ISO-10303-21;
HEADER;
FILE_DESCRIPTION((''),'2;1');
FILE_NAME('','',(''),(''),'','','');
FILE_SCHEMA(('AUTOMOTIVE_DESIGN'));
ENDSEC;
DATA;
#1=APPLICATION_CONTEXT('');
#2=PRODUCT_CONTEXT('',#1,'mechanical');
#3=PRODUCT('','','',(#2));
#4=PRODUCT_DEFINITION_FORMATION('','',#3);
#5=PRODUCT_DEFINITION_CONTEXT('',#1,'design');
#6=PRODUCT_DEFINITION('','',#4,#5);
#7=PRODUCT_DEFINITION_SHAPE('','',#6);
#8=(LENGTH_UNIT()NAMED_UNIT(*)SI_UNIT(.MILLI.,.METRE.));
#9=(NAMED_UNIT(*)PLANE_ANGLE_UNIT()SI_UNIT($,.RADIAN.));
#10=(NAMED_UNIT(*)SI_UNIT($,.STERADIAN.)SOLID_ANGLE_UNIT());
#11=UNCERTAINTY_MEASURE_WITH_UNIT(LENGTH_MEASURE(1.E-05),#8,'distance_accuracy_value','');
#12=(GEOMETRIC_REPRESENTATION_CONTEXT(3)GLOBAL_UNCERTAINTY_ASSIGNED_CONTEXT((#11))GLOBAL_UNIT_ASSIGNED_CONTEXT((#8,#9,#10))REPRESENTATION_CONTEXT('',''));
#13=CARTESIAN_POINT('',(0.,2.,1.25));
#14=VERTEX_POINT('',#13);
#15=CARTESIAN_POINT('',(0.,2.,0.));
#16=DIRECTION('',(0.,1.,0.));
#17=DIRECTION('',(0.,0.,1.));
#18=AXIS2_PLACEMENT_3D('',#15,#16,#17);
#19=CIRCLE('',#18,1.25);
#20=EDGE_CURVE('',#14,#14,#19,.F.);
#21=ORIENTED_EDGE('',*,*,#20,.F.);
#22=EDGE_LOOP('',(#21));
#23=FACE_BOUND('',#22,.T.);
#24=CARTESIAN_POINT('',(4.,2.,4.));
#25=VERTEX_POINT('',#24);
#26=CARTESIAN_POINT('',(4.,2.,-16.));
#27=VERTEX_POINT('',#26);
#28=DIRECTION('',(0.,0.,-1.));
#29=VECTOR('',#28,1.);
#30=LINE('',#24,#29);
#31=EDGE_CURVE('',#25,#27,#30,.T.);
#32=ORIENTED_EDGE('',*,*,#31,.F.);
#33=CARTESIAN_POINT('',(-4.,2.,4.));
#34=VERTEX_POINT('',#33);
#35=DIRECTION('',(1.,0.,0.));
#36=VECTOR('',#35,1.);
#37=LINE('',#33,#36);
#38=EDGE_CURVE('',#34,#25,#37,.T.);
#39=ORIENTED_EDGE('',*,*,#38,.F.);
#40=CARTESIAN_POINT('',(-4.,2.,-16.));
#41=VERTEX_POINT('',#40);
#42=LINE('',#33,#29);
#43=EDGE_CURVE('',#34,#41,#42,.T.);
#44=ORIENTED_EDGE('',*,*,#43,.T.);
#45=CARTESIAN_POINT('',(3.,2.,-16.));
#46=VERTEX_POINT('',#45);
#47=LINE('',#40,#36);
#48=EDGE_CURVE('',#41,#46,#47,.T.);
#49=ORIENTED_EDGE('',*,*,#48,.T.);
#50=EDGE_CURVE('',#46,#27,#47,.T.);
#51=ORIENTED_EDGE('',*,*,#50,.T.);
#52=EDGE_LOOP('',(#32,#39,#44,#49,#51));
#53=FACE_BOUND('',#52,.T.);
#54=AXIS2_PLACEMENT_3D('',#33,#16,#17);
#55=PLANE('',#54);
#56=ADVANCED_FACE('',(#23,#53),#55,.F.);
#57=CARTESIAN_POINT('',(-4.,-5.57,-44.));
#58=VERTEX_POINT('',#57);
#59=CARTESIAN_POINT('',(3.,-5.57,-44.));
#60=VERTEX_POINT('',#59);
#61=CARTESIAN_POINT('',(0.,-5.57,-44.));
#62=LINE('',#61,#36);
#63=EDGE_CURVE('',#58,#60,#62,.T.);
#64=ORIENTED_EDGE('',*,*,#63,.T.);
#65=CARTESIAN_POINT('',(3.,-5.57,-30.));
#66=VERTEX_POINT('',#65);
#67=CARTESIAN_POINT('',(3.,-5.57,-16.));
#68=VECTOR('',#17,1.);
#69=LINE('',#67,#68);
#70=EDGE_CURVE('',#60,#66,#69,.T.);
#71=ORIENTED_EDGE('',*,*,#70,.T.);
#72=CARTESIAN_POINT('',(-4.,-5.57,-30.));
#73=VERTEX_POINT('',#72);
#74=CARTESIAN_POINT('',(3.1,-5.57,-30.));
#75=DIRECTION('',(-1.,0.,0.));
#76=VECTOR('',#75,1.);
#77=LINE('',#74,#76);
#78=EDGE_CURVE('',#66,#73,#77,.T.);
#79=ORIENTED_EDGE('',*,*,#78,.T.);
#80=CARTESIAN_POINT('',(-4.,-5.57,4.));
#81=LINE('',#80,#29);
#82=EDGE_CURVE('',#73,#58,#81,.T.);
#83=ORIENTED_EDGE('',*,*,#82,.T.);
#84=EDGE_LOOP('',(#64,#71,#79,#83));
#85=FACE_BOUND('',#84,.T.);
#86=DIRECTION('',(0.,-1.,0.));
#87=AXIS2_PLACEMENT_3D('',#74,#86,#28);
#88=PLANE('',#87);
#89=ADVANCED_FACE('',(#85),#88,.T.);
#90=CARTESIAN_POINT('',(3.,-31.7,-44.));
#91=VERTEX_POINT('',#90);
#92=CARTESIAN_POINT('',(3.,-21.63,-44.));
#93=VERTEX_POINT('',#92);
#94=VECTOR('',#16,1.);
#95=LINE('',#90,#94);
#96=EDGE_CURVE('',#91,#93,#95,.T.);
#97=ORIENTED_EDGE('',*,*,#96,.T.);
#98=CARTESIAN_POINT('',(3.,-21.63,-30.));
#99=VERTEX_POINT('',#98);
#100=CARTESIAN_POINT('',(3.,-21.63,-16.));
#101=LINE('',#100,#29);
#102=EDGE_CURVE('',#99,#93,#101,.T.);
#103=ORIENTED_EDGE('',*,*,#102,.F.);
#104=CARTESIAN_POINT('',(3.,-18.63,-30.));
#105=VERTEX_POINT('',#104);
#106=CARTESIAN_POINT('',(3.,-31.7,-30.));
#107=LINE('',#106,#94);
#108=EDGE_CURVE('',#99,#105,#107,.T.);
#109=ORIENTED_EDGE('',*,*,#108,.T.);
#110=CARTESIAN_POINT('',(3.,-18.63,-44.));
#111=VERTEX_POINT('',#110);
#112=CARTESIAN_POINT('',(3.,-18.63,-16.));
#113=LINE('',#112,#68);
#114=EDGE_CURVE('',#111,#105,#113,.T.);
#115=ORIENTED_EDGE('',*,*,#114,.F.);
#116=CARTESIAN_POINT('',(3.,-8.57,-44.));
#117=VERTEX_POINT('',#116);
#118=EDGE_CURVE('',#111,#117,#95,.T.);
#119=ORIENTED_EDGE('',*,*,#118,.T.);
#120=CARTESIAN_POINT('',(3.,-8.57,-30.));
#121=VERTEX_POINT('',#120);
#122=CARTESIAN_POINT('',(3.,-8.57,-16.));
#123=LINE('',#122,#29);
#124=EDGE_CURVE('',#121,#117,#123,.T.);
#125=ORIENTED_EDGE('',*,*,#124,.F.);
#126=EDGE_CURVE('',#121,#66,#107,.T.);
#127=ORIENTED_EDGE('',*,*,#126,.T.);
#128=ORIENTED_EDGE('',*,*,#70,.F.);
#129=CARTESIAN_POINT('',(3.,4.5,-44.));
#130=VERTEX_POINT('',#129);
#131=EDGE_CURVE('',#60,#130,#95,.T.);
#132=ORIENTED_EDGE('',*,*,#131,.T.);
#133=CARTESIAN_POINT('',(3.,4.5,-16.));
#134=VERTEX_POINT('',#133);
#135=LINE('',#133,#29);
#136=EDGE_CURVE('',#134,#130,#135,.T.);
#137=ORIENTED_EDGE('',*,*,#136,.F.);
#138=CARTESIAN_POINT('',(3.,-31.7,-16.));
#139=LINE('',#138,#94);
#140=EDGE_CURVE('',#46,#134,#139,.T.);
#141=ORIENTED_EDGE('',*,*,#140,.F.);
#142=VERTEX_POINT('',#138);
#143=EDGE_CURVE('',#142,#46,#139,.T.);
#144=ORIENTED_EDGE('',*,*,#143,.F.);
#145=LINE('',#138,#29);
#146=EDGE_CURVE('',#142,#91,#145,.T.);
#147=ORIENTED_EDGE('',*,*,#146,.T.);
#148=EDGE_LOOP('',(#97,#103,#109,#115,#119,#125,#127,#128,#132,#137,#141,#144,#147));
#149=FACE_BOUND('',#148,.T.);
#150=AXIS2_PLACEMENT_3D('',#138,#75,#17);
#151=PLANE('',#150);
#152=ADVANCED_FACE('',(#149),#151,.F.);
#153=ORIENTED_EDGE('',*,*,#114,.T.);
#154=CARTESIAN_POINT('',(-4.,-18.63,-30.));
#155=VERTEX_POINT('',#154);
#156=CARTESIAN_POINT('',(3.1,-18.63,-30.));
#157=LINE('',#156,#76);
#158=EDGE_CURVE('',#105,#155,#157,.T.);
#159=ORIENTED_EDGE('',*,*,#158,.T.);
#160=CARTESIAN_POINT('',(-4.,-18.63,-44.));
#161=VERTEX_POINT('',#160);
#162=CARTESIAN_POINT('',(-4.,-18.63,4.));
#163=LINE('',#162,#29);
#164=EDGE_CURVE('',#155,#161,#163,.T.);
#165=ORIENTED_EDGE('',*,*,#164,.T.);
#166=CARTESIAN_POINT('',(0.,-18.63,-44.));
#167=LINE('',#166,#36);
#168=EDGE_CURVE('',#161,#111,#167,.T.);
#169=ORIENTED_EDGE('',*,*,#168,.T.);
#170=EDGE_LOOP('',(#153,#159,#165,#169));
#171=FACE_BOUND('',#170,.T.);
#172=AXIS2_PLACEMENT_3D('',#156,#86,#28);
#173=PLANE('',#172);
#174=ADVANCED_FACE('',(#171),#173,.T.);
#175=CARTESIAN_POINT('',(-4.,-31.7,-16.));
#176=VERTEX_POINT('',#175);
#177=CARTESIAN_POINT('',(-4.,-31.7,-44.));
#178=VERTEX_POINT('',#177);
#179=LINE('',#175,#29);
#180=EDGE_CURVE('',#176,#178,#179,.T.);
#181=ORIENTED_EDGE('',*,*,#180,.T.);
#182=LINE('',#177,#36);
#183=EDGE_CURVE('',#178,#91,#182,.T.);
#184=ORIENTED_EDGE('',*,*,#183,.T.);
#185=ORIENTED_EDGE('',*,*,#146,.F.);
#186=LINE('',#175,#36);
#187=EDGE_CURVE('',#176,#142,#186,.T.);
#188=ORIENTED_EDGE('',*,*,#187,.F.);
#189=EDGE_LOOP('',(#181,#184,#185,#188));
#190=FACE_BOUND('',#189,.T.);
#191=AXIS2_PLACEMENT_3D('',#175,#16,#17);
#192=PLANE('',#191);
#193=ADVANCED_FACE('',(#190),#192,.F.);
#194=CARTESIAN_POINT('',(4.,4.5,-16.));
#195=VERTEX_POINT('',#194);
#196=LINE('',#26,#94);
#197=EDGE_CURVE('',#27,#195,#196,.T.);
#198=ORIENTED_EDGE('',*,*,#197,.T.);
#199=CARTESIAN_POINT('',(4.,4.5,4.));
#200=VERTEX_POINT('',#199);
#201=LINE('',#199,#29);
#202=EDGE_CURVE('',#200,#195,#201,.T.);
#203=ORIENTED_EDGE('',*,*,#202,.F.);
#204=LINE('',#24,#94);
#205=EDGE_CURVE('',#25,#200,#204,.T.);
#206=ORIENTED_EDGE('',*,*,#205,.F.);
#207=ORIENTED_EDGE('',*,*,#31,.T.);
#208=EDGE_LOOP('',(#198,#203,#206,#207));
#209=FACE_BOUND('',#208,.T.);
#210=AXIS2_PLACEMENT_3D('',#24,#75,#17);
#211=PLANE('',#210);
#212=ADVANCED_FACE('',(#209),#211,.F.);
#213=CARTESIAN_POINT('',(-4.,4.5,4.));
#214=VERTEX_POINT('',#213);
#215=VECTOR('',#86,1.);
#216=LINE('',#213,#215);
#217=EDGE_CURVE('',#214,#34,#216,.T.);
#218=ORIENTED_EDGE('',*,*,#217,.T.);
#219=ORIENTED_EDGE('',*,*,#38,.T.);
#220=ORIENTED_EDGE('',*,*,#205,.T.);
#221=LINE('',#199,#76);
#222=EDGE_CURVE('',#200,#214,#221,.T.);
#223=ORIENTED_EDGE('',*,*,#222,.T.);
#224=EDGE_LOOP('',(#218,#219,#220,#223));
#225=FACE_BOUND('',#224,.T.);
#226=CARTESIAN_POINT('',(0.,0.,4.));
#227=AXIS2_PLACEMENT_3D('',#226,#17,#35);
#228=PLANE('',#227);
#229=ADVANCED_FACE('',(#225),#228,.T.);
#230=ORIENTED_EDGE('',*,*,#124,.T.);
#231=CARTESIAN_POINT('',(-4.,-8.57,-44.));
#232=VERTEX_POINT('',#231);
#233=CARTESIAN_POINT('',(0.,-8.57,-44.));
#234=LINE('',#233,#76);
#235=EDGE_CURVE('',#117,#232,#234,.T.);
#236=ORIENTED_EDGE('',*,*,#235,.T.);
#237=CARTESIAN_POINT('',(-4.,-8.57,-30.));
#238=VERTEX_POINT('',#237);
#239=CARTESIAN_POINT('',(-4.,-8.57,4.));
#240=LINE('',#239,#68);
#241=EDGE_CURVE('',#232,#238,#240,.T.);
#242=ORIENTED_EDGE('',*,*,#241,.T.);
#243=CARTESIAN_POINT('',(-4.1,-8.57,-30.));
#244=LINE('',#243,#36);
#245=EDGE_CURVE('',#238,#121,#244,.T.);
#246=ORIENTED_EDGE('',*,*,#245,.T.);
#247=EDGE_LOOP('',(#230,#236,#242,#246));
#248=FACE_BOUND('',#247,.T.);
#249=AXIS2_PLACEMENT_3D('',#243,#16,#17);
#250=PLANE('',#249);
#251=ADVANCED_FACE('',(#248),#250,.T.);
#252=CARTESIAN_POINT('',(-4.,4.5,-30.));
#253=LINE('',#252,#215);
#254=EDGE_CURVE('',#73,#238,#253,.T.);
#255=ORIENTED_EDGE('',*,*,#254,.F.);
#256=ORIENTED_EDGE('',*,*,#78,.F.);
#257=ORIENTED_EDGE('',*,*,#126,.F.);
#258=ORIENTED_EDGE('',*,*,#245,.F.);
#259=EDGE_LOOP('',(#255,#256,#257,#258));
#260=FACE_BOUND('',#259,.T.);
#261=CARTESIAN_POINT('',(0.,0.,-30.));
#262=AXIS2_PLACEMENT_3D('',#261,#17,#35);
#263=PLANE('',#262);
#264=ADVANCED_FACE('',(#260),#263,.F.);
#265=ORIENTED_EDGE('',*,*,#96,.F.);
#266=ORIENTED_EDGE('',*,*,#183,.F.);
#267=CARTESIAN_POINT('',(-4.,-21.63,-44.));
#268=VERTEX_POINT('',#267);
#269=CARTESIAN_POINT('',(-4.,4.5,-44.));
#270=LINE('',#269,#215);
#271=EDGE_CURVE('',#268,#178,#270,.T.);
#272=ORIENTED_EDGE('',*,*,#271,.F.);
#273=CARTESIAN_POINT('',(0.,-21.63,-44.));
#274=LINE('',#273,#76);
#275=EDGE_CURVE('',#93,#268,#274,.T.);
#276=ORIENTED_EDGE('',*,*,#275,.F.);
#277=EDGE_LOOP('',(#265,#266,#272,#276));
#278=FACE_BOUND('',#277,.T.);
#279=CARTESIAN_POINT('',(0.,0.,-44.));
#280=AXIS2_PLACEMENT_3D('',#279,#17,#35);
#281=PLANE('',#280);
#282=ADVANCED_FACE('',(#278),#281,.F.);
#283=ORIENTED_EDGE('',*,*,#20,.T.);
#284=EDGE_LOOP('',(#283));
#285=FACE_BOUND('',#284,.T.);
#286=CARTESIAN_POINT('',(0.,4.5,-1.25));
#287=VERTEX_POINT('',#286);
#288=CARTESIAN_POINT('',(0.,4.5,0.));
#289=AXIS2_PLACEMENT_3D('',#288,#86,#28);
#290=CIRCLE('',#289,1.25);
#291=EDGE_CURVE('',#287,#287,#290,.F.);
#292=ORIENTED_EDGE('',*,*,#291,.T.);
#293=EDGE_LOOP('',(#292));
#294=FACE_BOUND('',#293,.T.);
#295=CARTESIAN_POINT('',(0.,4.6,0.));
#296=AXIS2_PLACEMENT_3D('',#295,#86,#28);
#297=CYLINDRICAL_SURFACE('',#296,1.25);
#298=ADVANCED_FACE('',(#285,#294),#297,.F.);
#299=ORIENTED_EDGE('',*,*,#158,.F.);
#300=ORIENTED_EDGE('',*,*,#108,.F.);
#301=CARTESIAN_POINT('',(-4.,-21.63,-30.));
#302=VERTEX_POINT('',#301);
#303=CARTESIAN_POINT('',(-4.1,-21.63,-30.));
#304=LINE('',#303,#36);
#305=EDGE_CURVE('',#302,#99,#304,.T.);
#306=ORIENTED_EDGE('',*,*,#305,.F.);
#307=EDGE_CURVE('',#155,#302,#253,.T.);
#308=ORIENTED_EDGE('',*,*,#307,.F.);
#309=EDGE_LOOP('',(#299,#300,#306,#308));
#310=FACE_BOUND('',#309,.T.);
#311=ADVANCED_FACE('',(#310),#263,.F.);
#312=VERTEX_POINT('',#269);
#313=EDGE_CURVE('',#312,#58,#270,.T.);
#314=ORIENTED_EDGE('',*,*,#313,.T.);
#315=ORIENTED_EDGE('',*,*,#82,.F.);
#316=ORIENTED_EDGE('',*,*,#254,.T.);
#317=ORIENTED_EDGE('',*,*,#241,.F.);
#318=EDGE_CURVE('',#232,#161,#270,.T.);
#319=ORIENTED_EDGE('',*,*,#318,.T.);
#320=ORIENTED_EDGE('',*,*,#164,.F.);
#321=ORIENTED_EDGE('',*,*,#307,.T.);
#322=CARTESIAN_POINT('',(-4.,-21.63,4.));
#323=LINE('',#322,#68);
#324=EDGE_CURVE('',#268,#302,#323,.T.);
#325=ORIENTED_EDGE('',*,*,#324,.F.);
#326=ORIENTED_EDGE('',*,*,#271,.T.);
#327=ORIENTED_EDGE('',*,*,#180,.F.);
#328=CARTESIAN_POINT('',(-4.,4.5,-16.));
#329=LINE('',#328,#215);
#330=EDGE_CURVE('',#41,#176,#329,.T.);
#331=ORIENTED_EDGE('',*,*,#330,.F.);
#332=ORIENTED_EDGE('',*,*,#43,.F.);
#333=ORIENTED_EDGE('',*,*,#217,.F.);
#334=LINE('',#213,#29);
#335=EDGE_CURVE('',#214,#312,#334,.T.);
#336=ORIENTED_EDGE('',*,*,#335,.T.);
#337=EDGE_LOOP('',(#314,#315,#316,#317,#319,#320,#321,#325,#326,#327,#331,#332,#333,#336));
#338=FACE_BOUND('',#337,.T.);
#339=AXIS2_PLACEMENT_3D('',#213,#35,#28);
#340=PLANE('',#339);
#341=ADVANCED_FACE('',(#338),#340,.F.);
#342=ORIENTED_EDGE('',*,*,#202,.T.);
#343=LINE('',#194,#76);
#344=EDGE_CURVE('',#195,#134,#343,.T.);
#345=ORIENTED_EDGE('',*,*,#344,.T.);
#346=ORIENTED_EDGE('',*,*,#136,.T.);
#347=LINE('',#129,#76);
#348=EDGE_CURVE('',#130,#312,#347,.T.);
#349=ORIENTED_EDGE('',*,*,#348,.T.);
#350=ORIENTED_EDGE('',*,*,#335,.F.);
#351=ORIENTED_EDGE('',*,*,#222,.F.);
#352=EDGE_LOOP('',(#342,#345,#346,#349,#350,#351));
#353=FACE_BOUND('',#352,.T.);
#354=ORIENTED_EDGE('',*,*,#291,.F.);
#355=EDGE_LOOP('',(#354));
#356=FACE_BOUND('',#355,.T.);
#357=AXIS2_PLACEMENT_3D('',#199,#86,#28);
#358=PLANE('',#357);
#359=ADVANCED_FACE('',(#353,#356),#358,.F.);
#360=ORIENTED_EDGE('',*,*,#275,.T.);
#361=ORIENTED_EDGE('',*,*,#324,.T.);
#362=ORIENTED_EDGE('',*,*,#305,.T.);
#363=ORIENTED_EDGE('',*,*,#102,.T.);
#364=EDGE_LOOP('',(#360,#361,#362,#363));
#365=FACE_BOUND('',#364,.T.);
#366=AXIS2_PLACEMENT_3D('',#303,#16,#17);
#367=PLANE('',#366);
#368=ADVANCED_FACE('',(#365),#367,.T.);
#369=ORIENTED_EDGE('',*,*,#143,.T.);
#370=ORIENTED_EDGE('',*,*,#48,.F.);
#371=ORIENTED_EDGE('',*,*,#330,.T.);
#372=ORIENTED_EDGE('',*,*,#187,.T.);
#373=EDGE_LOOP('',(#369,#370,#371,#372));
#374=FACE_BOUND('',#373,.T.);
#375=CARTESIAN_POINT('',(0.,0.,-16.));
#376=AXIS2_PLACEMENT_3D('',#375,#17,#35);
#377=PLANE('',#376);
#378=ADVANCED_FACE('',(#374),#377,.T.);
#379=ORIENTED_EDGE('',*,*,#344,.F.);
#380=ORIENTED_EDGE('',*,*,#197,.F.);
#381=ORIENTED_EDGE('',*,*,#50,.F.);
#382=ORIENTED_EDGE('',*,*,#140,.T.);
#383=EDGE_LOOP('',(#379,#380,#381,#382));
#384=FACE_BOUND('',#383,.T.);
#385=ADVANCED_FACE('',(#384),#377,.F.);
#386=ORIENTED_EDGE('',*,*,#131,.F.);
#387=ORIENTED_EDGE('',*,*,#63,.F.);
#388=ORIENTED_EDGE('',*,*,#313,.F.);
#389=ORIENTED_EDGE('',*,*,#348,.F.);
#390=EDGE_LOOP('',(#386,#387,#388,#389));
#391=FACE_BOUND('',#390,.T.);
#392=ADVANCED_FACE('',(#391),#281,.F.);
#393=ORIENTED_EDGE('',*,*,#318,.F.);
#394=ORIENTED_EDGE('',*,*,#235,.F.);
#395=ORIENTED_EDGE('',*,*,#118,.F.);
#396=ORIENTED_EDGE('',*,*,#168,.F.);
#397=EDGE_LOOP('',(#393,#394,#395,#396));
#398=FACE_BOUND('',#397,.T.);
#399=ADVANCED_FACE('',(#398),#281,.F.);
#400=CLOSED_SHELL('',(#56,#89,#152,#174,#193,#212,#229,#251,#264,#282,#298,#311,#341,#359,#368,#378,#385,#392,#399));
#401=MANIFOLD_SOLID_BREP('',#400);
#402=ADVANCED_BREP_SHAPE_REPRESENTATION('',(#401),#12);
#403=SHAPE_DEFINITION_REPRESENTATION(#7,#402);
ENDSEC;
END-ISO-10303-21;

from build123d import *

# Parameters (mm, degrees)
S_BOX1_W       = 8
S_BOX1_H       = 2.5
BOSS_1_DEPTH   = 20
S_BOX2_W       = 7
S_BOX2_H       = 36.2
BOSS_2_DEPTH   = 28
S_HOLE3_R      = 1.25
HOLE_3_DEPTH   = 2.7
S_CUT4_W       = 7.2
S_CUT4_H       = 3
POCKET_4_DEPTH = 14.1
S_CUT5_W       = 7.2
S_CUT5_H       = 3
POCKET_5_DEPTH = 14.1


with BuildPart() as part:
    # S_box1 → Boss_1 (new body)
    with BuildSketch(Plane.XY.offset(-16)):
        with Locations((0, 3.25)):
            Rectangle(S_BOX1_W, S_BOX1_H)
    extrude(amount=BOSS_1_DEPTH)

    # S_box2 → Boss_2 (add)
    with BuildSketch(Plane.XY.offset(-44)):
        with Locations((-0.5, -13.6)):
            Rectangle(S_BOX2_W, S_BOX2_H)
    extrude(amount=BOSS_2_DEPTH)

    # S_hole3 → Hole_3 (cut)
    with BuildSketch(Plane(origin=(0, 1.9, 0), x_dir=(1, 0, 0), z_dir=(0, 1, 0))):
        with Locations(Location((0, 0, 0), (0, 0, 90))):
            Circle(S_HOLE3_R)
    extrude(amount=HOLE_3_DEPTH, mode=Mode.SUBTRACT)

    # S_cut4 → Pocket_4 (cut)
    with BuildSketch(Plane.XY.offset(-44.1)):
        with Locations((-0.5, -7.07)):
            Rectangle(S_CUT4_W, S_CUT4_H)
    extrude(amount=POCKET_4_DEPTH, mode=Mode.SUBTRACT)

    # S_cut5 → Pocket_5 (cut)
    with BuildSketch(Plane.XY.offset(-44.1)):
        with Locations((-0.5, -20.13)):
            Rectangle(S_CUT5_W, S_CUT5_H)
    extrude(amount=POCKET_5_DEPTH, mode=Mode.SUBTRACT)


solid = part.part
